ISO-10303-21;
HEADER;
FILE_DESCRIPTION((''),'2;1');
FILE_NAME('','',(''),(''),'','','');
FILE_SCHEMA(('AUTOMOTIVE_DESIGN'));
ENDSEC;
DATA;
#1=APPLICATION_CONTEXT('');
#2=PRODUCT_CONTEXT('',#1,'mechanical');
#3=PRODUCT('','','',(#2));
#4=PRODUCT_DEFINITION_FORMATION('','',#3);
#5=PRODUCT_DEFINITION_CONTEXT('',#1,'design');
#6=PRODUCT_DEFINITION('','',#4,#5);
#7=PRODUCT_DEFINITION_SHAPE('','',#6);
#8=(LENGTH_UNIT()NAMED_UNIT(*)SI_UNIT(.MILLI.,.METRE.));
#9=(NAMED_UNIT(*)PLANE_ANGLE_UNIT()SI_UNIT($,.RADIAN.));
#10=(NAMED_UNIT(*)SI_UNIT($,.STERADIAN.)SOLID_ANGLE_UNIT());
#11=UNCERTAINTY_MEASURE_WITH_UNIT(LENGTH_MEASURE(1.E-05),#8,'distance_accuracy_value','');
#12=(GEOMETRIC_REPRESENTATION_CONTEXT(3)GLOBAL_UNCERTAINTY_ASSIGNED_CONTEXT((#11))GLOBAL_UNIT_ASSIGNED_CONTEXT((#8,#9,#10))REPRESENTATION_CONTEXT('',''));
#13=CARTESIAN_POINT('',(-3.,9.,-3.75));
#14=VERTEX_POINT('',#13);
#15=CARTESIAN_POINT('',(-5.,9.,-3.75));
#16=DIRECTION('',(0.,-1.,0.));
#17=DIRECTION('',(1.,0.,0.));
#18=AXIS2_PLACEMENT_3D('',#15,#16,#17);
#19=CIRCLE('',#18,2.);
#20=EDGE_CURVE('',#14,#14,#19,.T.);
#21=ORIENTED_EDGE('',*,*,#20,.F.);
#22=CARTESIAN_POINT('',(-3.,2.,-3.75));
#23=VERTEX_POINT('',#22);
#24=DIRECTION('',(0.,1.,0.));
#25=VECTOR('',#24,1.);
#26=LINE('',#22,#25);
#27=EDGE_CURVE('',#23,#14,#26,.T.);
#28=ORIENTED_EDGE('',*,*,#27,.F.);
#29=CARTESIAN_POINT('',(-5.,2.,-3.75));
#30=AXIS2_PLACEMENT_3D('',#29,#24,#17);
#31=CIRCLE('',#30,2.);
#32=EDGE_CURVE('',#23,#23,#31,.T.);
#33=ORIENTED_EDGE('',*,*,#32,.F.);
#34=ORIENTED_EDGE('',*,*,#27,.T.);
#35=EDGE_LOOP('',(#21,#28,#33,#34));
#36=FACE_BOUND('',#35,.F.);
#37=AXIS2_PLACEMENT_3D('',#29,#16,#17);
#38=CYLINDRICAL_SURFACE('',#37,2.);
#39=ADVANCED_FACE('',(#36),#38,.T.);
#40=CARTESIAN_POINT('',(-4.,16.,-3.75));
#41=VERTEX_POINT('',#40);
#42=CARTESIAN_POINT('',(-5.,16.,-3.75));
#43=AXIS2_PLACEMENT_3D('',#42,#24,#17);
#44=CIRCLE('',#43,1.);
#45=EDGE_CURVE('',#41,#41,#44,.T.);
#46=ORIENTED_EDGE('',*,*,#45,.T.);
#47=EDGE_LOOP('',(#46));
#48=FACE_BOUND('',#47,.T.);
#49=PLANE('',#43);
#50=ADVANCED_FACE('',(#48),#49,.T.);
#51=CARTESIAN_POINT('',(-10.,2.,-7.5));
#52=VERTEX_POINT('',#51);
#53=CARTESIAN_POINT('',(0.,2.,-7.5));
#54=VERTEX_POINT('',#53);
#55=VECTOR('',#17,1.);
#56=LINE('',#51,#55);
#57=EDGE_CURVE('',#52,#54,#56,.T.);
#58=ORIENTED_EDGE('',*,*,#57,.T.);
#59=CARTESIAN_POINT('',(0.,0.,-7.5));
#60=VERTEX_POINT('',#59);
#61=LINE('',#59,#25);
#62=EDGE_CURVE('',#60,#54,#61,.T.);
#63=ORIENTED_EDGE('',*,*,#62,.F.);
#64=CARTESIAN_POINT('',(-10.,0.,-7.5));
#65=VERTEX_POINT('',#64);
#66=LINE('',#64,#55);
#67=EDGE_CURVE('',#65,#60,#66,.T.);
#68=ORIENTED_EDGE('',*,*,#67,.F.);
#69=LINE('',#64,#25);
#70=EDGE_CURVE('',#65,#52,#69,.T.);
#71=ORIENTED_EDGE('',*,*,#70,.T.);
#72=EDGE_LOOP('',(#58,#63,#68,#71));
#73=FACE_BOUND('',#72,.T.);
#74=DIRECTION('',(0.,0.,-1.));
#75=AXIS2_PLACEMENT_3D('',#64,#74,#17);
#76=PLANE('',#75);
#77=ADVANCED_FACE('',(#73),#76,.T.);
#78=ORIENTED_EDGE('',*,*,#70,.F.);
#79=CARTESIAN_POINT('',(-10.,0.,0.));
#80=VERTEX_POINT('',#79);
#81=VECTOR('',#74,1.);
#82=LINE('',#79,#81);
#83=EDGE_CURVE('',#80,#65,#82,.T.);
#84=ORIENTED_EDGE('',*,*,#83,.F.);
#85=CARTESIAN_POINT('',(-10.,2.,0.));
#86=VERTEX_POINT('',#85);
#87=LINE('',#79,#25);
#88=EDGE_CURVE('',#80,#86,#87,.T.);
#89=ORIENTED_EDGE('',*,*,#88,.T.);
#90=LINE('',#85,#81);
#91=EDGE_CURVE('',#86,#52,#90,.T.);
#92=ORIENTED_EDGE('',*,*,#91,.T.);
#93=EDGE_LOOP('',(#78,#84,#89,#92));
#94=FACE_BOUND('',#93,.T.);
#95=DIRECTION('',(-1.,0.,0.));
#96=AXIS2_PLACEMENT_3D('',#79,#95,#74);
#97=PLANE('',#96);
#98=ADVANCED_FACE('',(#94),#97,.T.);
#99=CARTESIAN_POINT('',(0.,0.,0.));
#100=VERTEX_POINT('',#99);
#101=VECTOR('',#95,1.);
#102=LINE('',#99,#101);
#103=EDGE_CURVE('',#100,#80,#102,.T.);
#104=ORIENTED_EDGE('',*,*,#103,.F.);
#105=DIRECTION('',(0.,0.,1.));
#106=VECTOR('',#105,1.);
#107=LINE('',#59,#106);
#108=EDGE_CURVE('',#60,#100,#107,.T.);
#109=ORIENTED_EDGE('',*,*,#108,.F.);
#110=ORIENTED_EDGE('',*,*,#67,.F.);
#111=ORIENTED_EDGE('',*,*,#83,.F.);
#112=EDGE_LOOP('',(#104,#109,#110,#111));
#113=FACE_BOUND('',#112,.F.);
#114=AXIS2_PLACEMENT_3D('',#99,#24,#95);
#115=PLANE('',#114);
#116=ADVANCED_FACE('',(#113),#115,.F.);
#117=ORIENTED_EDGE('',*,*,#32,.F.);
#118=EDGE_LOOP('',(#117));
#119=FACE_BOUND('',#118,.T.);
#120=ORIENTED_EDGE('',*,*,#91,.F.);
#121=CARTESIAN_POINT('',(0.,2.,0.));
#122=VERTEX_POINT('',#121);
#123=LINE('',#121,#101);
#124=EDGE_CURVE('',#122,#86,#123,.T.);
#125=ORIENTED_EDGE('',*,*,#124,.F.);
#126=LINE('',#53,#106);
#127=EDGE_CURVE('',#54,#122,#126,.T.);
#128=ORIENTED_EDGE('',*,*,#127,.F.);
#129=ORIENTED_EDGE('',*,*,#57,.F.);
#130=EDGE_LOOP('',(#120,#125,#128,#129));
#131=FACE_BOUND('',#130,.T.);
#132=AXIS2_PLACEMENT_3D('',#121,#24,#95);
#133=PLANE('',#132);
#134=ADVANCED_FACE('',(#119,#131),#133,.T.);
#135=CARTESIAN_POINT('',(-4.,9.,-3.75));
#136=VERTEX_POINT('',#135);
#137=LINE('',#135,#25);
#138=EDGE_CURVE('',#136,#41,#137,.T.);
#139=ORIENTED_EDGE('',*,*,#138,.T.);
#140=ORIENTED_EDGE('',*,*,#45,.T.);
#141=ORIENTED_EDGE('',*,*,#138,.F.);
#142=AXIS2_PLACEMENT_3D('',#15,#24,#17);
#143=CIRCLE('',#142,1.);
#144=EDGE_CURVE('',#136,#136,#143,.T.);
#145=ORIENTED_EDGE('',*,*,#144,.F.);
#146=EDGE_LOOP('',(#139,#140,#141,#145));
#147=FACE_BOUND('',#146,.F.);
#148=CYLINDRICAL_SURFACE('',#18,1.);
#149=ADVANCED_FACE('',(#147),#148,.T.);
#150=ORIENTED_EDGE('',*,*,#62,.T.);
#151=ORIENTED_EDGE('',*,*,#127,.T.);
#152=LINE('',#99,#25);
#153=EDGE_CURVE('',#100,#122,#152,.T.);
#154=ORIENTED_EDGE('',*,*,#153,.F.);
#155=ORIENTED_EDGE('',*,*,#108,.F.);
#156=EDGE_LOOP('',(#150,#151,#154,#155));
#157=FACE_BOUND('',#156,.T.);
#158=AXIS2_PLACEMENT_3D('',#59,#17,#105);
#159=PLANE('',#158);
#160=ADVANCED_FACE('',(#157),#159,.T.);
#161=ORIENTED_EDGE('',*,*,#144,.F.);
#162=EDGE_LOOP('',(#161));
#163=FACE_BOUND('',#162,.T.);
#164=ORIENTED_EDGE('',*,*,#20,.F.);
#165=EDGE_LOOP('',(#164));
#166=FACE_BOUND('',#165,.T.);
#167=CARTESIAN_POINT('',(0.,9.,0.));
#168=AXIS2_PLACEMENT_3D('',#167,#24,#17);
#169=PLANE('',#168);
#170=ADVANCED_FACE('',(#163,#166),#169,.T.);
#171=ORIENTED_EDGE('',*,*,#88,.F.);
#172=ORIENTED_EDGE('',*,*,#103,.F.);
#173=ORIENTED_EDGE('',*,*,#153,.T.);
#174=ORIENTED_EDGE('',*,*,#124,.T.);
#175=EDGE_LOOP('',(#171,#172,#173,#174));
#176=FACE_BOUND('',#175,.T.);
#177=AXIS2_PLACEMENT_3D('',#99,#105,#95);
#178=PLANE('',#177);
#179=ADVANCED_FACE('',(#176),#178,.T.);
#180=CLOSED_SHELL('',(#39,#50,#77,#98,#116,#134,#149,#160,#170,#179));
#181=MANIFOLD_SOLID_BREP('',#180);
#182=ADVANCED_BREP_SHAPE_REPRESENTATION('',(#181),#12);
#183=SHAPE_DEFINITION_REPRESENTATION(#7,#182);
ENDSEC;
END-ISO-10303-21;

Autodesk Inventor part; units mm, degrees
ref_plane "YZ Plane" through (0, 0, 0) normal (1, 0, 0) x (0, 1, 0)
ref_plane "XZ Plane" through (0, 0, 0) normal (0, 1, 0) x (-1, 0, 0)
ref_plane "XY Plane" through (0, 0, 0) normal (0, 0, 1) x (1, 0, 0)
sketch "Sketch1" plane through (0, 0, 0) normal (0, 1, 0) x (-1, 0, 0)
  line L0 (0, 0) -> (10, 0)
  line L1 (10, 0) -> (10, -7.5)
  line L2 (10, -7.5) -> (0, -7.5)
  line L3 (0, -7.5) -> (0, 0)
  dimension "d0" = 10
  dimension "d1" = 7.5
extrude "Extrusion1" add sketch "Sketch1" along normal blind 2
sketch "Sketch2" plane through (0, 2, 0) normal (0, 1, 0) x (1, 0, 0)
  line L0 (-10, 7.5) -> (-10, 0) projected
  line L1 (-10, 0) -> (-5, 0)
  line L2 (-5, 0) -> (-5, 3.75)
  line L3 (-5, 3.75) -> (-10, 3.75)
  line L4 (-10, 3.75) -> (-10, 0)
  circle A0 centre (-5, 3.75) radius 2
  point P0 (0, 0)
  dimension "d4" = 5
  dimension "d5" = 3.75
  dimension "d6" = 4
extrude "Extrusion2" add sketch "Sketch2" along normal blind 7 contours A0 L2 L3 | L3 L2 A0
sketch "Sketch3" plane through (-5, 9, -3.75) normal (0, 1, 0) x (1, 0, 0)
  circle A0 centre (0, 0) radius 1
  point P0 (5, -3.75)
  dimension "d9" = 2
extrude "Extrusion3" add sketch "Sketch3" along normal blind 7
properties part number "LaserMountMount"
